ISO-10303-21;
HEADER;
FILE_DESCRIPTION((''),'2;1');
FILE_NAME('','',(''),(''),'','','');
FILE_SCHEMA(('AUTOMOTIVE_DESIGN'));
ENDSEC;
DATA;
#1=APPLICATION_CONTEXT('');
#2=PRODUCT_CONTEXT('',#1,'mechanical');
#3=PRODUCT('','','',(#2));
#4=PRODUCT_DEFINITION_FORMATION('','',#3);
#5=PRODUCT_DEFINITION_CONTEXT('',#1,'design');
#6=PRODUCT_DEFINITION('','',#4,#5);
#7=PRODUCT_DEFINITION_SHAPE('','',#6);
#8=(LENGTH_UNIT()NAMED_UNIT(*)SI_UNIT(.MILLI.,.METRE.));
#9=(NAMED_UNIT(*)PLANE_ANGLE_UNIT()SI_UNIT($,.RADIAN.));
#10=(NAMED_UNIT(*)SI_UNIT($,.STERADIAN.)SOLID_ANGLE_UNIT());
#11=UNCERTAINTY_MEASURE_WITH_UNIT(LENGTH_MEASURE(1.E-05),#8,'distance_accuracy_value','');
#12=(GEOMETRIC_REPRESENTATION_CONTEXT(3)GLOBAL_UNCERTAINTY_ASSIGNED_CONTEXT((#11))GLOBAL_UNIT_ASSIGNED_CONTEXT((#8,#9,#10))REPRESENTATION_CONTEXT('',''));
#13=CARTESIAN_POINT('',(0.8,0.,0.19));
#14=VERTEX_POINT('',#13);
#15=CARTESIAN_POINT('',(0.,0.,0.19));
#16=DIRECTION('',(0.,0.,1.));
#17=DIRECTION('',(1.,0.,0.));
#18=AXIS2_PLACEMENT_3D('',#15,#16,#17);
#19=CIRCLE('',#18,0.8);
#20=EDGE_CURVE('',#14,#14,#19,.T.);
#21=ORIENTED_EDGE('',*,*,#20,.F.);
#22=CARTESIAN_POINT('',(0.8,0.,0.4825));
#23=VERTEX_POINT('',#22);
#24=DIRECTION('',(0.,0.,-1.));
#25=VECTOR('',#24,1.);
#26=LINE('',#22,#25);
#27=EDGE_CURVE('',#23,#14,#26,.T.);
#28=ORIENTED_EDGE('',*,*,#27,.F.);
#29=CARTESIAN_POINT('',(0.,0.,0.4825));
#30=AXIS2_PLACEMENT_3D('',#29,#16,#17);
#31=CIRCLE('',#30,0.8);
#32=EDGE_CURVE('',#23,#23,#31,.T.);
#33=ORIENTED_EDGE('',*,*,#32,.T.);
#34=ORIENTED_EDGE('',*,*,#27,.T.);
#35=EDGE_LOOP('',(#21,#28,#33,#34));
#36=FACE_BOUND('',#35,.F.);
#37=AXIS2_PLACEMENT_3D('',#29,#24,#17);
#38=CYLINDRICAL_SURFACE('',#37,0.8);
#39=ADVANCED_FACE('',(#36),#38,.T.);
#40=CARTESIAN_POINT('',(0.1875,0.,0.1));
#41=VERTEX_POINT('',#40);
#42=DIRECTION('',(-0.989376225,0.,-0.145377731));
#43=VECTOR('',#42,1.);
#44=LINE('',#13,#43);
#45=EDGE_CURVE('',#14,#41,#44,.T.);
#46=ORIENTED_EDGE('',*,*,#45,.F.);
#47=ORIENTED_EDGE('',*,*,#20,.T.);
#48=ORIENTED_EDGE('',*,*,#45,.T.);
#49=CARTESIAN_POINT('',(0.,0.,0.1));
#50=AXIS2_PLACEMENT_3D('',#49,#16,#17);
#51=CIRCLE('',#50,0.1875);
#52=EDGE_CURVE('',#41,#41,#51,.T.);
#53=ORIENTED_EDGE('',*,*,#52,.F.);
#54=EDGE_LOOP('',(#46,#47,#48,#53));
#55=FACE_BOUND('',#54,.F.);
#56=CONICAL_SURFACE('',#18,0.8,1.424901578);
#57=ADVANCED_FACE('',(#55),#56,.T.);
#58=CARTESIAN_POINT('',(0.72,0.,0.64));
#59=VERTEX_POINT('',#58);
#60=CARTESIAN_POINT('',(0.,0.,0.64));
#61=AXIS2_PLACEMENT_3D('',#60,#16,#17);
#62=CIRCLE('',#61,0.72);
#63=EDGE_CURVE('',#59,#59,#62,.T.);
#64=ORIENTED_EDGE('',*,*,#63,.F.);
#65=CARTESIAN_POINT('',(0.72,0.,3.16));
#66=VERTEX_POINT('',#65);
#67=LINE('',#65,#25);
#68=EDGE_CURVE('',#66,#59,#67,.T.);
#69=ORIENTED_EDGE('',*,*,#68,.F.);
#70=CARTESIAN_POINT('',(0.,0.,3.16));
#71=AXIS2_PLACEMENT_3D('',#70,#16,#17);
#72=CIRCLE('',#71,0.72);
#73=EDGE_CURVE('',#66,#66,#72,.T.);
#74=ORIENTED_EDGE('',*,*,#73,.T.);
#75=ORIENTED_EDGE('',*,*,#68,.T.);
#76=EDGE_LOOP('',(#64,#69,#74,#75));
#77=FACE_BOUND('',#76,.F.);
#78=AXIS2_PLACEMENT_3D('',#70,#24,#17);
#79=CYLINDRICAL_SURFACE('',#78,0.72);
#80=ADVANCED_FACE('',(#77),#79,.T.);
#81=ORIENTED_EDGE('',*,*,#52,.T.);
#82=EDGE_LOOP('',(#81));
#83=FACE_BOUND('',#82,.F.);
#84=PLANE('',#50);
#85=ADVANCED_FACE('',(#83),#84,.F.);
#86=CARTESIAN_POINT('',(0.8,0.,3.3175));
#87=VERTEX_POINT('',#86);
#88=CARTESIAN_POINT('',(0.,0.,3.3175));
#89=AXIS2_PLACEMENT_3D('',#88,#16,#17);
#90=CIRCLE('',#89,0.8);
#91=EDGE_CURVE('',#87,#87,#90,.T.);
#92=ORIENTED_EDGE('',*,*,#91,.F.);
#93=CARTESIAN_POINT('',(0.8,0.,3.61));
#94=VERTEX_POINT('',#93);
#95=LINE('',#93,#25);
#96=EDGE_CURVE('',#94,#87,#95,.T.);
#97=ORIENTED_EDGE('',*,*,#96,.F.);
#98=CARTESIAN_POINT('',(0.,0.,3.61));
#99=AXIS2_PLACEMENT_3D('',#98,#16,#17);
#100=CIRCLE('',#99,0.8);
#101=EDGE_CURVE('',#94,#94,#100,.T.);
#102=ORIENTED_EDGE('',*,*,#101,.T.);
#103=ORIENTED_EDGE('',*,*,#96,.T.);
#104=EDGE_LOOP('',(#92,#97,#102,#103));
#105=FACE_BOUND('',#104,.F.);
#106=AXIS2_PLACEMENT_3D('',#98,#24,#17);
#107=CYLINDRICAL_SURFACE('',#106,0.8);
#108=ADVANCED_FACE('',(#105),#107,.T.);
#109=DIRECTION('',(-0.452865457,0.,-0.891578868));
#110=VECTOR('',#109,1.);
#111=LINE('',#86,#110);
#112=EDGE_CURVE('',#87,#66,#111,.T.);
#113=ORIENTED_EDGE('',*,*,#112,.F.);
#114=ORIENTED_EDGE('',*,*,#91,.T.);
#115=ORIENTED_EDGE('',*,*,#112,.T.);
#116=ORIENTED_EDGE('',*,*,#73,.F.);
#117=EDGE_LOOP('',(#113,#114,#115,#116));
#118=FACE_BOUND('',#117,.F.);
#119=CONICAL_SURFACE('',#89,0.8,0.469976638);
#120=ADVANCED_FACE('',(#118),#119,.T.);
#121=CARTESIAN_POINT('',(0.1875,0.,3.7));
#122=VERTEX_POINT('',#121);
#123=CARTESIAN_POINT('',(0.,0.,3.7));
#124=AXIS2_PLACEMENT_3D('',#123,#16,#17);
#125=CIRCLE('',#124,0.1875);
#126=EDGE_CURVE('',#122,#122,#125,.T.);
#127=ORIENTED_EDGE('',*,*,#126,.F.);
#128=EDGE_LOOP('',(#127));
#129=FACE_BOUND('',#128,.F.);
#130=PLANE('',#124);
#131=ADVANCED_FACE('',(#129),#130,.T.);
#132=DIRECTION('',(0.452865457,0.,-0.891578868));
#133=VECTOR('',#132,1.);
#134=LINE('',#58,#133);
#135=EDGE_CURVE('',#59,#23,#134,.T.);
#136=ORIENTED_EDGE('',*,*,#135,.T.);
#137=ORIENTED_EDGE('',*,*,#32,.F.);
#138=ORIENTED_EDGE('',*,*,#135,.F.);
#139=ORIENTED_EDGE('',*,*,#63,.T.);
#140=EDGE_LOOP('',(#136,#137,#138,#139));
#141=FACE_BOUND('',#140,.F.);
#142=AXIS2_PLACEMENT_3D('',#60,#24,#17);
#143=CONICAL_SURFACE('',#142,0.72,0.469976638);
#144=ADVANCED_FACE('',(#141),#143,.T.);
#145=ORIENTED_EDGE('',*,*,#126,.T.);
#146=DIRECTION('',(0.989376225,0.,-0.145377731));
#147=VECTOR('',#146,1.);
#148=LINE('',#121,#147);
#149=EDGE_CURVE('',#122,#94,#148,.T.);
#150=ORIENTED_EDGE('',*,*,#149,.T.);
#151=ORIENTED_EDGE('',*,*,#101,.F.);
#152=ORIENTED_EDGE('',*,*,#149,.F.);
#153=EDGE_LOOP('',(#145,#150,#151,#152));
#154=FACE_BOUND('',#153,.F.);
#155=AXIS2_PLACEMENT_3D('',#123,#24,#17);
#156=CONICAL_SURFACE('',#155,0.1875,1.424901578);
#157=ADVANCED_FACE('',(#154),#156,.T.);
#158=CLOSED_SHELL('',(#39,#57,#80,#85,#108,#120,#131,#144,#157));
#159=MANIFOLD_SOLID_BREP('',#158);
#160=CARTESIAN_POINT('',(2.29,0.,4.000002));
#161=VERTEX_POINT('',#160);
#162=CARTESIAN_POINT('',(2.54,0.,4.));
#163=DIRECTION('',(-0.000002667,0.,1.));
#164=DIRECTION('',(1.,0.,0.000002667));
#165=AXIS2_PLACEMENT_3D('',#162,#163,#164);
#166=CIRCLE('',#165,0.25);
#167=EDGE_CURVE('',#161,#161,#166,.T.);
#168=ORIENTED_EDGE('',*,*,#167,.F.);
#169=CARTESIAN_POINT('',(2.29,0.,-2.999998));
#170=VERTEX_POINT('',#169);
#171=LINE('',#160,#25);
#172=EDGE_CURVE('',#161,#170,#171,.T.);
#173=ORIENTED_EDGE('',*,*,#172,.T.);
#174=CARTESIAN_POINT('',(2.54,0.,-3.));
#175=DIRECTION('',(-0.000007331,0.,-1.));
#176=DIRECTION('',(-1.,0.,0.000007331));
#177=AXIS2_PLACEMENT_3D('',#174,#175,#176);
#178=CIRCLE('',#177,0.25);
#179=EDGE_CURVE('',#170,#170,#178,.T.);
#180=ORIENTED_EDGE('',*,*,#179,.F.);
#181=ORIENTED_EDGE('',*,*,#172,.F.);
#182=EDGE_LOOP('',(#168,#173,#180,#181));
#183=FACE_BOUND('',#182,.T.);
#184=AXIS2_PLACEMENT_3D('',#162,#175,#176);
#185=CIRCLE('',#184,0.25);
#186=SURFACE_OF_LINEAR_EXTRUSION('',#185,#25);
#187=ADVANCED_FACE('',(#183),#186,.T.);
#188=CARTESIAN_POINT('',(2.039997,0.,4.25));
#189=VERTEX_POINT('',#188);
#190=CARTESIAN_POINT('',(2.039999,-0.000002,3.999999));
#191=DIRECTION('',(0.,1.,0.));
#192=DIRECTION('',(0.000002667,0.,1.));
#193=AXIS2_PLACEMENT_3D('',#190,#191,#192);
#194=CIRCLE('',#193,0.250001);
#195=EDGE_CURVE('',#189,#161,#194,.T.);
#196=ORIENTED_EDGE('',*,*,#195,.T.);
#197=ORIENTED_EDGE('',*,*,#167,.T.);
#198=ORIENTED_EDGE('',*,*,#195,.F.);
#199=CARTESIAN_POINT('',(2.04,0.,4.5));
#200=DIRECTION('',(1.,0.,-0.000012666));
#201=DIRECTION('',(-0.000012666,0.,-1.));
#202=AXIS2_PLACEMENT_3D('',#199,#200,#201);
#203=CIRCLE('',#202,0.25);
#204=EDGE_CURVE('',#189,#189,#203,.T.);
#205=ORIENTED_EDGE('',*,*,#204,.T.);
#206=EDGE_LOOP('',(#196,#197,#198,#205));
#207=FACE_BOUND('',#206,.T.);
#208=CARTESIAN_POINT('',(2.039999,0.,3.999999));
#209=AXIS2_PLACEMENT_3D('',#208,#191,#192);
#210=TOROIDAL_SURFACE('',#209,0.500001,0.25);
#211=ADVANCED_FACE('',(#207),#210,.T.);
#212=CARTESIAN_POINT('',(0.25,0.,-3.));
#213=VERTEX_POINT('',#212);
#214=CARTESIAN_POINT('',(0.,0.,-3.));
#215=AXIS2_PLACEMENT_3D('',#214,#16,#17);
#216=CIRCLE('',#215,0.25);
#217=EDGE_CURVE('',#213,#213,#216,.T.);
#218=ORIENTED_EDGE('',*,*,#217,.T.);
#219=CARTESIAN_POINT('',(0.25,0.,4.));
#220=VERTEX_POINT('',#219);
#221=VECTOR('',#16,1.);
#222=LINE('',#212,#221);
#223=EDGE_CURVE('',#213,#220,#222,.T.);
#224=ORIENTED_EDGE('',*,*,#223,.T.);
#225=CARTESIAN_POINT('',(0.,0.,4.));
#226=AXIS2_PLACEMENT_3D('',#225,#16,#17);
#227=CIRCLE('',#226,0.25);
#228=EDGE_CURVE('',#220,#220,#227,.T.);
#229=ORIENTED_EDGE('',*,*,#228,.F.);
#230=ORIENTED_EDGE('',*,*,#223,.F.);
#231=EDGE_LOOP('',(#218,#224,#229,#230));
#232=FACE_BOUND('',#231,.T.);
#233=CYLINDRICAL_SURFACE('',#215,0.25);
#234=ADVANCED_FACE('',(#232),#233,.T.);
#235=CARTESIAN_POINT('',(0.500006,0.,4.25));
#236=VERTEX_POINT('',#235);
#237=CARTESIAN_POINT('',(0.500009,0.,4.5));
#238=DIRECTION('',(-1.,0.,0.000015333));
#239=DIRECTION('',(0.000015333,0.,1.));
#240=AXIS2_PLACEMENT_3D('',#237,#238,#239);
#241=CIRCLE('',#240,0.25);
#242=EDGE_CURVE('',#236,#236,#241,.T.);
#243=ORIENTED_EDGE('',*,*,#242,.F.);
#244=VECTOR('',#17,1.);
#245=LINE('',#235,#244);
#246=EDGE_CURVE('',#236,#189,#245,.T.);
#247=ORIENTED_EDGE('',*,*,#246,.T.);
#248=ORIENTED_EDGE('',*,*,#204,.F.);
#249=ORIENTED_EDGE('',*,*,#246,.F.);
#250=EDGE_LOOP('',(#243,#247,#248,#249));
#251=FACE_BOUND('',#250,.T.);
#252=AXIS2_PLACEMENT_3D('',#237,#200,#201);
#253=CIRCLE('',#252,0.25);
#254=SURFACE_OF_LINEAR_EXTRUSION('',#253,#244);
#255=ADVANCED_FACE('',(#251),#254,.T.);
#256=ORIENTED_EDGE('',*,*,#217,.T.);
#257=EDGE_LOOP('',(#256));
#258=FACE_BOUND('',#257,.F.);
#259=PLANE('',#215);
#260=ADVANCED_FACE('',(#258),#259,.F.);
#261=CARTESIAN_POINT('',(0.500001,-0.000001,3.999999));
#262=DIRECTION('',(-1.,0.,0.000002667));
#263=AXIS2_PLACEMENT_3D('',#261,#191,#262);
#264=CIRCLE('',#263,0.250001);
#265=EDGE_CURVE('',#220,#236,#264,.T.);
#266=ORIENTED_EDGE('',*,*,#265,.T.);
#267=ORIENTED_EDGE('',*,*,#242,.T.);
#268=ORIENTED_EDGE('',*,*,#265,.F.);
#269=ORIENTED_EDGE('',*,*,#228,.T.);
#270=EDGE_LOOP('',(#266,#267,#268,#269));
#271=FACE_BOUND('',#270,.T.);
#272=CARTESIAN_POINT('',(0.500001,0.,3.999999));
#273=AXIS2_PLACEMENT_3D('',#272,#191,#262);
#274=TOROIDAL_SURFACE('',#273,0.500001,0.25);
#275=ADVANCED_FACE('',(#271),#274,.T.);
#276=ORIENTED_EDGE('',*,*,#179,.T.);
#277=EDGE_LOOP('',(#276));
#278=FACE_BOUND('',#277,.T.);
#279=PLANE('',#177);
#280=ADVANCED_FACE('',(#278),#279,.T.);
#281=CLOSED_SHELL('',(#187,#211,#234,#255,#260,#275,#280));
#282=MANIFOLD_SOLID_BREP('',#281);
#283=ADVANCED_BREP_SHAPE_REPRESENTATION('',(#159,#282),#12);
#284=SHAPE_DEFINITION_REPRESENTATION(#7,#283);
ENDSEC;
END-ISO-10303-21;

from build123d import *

# Parameters (mm, degrees)
SKETCH_R = 0.25


with BuildPart() as sweep_body:
    # Sweep: sweep along a path in Sketch001
    with BuildLine(Plane.XZ) as sweep_path:
        Line((0, -3), (0, 4))
        ThreePointArc((0, 4), (0.14645, 4.353556), (0.500009, 4.5))
        Line((0.500009, 4.5), (2.04, 4.5))
        ThreePointArc((2.04, 4.5), (2.393553, 4.353553), (2.54, 4))
        Line((2.54, 4), (2.54, -3))
    # Sketch → Sweep (sweep)
    with BuildSketch(Plane.XY.offset(-2)):
        Circle(SKETCH_R)
    sweep(path=sweep_path.line)


with BuildPart() as revolution:
    # Sketch002 → Revolution (revolve)
    with BuildSketch(Plane.XZ):
        Polygon((0, 0.1), (0, 3.7), (0.1875, 3.7), (0.8, 3.61), (0.8, 3.3175), (0.72, 3.16), (0.72, 0.64), (0.8, 0.4825), (0.8, 0.19), (0.1875, 0.1), align=None)
    revolve(axis=Axis((0, 0, 0), (0, 0, 1)))


solid = Compound([sweep_body.part, revolution.part])
